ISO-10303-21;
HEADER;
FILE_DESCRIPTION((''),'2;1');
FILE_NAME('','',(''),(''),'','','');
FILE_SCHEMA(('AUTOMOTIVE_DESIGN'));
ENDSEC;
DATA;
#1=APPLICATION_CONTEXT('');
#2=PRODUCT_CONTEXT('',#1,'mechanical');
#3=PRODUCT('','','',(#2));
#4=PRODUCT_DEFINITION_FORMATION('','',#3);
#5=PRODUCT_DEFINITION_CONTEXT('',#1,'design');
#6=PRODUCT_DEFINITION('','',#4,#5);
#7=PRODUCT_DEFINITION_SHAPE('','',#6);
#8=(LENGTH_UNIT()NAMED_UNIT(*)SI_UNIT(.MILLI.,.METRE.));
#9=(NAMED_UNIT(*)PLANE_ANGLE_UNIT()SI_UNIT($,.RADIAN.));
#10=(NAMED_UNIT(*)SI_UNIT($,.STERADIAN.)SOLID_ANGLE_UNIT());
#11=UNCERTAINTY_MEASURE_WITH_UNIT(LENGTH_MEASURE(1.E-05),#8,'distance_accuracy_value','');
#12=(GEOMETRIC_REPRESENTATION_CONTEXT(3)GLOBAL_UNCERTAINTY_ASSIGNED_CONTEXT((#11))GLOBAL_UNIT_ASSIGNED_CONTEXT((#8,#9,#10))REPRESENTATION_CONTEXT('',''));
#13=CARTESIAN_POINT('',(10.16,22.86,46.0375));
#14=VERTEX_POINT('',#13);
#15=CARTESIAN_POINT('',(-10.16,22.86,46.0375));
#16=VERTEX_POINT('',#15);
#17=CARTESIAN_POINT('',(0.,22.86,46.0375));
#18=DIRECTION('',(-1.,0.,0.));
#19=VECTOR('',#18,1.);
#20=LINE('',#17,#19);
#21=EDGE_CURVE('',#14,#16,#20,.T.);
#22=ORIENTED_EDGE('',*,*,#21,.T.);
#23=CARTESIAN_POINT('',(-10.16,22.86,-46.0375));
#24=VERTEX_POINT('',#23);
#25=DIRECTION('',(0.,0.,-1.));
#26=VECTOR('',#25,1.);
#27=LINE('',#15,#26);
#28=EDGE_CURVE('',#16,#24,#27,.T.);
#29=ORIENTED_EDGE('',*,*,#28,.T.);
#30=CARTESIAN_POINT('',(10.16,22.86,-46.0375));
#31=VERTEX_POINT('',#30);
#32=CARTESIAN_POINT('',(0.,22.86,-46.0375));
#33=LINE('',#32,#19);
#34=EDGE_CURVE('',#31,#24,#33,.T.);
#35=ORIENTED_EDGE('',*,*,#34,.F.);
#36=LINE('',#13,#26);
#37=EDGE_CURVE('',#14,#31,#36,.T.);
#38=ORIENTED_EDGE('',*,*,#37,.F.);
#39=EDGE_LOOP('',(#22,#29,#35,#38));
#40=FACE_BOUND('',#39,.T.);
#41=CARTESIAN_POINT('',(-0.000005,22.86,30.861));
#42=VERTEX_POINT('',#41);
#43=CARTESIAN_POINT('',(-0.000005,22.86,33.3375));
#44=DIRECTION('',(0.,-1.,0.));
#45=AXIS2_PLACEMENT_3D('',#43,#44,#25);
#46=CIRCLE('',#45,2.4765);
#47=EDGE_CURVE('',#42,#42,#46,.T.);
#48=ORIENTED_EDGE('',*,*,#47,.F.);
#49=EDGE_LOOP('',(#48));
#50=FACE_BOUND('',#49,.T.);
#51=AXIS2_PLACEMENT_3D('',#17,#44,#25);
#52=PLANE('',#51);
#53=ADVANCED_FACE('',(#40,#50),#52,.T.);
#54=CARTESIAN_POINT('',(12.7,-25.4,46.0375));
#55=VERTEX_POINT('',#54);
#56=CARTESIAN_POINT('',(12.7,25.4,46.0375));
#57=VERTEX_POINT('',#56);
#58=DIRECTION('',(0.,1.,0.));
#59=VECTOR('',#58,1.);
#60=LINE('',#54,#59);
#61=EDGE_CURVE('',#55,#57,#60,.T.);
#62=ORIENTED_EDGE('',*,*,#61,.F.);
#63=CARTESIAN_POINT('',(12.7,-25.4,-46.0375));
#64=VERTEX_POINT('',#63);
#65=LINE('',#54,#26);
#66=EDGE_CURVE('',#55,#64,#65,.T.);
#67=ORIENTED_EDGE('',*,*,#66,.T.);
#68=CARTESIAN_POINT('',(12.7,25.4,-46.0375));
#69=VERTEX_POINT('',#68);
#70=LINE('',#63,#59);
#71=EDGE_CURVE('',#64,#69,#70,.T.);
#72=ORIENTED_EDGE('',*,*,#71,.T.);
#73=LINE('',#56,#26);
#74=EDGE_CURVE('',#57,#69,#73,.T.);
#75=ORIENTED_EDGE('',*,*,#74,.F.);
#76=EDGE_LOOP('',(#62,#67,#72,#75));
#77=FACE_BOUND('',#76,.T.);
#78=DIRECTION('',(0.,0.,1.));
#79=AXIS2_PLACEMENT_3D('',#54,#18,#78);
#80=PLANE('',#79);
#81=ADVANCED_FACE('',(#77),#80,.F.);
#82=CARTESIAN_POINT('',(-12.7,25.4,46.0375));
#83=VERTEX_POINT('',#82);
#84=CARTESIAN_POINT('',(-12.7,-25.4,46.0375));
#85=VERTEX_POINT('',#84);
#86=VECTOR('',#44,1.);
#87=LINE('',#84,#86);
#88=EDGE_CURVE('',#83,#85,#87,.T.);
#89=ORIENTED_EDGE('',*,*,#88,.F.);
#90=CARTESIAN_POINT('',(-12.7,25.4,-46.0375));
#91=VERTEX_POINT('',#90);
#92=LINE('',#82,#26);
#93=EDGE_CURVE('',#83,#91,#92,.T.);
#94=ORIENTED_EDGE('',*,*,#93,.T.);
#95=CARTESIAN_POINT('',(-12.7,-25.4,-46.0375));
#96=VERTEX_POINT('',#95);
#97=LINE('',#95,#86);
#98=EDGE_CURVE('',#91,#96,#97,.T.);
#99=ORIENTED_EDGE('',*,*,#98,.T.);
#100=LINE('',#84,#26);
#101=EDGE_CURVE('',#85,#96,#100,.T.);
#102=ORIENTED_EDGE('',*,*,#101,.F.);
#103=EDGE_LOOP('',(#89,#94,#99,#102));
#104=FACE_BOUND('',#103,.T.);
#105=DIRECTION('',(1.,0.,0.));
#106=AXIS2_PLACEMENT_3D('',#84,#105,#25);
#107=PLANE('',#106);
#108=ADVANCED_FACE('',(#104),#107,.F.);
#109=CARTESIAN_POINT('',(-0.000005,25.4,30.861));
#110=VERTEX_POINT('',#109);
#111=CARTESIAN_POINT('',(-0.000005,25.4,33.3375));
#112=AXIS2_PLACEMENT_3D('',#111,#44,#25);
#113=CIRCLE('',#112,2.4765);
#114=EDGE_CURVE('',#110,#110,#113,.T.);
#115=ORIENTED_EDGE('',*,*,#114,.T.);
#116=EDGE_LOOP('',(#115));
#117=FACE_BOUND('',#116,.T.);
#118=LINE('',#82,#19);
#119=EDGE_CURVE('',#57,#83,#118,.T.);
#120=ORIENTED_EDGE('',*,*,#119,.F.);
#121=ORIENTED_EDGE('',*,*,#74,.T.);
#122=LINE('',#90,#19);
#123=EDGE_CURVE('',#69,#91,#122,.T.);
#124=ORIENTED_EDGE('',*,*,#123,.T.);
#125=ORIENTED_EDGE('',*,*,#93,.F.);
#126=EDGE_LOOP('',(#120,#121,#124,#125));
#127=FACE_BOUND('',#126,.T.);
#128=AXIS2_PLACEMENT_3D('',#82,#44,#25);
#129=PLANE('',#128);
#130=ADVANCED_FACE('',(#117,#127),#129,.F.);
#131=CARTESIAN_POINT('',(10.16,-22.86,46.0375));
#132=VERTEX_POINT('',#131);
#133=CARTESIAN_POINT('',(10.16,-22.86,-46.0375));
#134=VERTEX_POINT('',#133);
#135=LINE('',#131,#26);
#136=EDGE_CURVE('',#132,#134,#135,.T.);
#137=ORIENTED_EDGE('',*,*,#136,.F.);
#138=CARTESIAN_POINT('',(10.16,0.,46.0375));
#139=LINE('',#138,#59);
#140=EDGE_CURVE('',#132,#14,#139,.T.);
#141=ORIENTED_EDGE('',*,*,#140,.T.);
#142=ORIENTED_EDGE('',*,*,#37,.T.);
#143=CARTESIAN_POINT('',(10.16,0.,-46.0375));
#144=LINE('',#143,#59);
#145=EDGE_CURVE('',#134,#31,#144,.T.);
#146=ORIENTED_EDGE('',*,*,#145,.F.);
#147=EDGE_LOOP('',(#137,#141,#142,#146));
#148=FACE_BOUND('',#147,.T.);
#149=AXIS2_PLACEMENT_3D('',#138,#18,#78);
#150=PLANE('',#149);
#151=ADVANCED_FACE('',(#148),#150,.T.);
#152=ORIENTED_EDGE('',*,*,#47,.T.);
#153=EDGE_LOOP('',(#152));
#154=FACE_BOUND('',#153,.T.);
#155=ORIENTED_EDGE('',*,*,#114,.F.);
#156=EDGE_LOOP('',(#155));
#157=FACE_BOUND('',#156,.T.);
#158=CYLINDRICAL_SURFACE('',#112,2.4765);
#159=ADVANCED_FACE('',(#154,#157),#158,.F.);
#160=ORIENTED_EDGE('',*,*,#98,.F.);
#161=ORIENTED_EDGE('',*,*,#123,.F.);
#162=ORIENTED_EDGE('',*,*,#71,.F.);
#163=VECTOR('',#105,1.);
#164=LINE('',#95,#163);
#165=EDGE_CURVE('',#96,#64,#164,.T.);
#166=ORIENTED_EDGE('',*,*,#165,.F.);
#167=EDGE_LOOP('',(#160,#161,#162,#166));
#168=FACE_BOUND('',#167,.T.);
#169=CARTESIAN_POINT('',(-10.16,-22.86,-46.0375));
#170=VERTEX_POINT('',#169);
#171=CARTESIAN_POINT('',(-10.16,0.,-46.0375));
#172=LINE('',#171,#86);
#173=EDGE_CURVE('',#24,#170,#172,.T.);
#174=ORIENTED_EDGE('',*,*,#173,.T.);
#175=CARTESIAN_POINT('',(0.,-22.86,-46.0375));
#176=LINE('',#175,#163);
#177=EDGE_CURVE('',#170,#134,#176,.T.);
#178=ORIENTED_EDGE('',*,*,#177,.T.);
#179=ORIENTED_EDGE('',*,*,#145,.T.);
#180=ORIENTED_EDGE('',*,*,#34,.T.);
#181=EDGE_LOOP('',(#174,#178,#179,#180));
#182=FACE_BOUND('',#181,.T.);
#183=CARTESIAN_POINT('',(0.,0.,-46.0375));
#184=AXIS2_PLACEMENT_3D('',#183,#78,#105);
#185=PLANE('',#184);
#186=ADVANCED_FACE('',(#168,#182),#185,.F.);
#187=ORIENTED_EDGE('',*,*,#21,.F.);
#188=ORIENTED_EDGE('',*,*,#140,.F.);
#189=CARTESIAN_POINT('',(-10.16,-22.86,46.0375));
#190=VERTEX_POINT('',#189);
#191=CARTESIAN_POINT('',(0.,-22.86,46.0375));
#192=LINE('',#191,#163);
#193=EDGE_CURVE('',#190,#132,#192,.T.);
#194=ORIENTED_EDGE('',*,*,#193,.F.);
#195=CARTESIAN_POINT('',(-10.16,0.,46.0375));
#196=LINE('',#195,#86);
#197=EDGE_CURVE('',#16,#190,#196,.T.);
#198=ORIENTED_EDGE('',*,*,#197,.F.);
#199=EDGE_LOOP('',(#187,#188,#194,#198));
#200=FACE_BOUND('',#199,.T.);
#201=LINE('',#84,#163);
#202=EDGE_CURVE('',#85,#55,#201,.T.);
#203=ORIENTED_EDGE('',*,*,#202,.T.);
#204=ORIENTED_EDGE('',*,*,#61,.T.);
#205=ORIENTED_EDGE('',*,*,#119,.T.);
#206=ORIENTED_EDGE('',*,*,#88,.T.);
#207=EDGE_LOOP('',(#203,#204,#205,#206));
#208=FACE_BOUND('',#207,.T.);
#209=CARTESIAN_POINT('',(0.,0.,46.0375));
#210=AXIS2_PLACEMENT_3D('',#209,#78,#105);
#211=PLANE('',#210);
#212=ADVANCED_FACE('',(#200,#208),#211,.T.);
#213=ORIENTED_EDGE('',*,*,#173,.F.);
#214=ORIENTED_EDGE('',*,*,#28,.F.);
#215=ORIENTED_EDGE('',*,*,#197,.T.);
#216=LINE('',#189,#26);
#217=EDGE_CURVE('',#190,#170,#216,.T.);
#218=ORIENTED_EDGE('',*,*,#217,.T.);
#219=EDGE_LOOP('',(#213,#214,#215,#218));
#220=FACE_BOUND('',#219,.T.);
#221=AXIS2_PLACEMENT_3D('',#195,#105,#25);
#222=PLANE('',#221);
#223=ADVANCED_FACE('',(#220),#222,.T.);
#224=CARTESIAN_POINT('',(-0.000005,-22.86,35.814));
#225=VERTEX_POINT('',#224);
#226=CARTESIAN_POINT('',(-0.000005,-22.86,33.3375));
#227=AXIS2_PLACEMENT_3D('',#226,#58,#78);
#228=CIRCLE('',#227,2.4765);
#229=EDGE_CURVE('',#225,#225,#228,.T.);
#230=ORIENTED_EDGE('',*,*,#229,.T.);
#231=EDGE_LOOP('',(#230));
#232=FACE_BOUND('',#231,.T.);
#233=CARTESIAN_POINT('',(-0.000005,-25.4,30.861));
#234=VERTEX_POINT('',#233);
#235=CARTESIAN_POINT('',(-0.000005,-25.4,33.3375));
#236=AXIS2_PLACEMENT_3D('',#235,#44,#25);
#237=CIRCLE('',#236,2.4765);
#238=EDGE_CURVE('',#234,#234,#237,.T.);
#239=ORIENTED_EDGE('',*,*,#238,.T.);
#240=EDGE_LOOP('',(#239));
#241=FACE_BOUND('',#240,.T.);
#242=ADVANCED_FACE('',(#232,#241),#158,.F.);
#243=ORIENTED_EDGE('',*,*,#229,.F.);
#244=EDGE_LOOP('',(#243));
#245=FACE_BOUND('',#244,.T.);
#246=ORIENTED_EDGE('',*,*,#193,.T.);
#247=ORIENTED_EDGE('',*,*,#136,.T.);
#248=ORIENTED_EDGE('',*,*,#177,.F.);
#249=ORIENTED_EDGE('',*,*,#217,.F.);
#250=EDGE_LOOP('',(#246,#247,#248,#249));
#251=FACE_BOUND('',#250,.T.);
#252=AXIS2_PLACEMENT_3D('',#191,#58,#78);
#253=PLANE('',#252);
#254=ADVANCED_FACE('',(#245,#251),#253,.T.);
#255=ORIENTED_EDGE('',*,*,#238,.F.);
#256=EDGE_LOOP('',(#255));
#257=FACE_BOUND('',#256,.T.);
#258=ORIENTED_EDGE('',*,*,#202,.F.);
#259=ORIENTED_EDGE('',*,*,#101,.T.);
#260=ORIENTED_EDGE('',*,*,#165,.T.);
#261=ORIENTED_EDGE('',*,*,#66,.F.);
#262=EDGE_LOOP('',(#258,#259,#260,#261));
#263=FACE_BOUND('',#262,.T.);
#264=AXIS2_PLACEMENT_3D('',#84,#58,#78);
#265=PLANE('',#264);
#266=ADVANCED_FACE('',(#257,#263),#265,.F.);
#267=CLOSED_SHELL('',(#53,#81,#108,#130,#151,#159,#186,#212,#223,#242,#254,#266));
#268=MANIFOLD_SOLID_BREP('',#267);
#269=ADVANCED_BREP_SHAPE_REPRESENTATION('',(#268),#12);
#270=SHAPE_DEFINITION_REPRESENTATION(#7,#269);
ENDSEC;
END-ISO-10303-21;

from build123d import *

# Parameters (mm, degrees)
SKETCH1_W           = 25.4
SKETCH1_H           = 50.8
SKETCH1_W_2         = 20.32
SKETCH1_H_2         = 45.72
EXTRUDE_THIN1_DEPTH = 46.0375
SKETCH2_R           = 2.4765
CUT_EXTRUDE1_DEPTH  = 51.8


with BuildPart() as part:
    # Sketch1 → Extrude-Thin1 (new body, symmetric)
    with BuildSketch(Plane.XY):
        Rectangle(SKETCH1_W, SKETCH1_H)
        Rectangle(SKETCH1_W_2, SKETCH1_H_2, mode=Mode.SUBTRACT)
    extrude(amount=EXTRUDE_THIN1_DEPTH, both=True)

    # Sketch2 → Cut-Extrude1 (cut, through all)
    with BuildSketch(Plane.XZ.offset(25.4)):
        with Locations((-5.11e-06, 33.3375)):
            Circle(SKETCH2_R)
    extrude(amount=-CUT_EXTRUDE1_DEPTH, mode=Mode.SUBTRACT)


solid = part.part
